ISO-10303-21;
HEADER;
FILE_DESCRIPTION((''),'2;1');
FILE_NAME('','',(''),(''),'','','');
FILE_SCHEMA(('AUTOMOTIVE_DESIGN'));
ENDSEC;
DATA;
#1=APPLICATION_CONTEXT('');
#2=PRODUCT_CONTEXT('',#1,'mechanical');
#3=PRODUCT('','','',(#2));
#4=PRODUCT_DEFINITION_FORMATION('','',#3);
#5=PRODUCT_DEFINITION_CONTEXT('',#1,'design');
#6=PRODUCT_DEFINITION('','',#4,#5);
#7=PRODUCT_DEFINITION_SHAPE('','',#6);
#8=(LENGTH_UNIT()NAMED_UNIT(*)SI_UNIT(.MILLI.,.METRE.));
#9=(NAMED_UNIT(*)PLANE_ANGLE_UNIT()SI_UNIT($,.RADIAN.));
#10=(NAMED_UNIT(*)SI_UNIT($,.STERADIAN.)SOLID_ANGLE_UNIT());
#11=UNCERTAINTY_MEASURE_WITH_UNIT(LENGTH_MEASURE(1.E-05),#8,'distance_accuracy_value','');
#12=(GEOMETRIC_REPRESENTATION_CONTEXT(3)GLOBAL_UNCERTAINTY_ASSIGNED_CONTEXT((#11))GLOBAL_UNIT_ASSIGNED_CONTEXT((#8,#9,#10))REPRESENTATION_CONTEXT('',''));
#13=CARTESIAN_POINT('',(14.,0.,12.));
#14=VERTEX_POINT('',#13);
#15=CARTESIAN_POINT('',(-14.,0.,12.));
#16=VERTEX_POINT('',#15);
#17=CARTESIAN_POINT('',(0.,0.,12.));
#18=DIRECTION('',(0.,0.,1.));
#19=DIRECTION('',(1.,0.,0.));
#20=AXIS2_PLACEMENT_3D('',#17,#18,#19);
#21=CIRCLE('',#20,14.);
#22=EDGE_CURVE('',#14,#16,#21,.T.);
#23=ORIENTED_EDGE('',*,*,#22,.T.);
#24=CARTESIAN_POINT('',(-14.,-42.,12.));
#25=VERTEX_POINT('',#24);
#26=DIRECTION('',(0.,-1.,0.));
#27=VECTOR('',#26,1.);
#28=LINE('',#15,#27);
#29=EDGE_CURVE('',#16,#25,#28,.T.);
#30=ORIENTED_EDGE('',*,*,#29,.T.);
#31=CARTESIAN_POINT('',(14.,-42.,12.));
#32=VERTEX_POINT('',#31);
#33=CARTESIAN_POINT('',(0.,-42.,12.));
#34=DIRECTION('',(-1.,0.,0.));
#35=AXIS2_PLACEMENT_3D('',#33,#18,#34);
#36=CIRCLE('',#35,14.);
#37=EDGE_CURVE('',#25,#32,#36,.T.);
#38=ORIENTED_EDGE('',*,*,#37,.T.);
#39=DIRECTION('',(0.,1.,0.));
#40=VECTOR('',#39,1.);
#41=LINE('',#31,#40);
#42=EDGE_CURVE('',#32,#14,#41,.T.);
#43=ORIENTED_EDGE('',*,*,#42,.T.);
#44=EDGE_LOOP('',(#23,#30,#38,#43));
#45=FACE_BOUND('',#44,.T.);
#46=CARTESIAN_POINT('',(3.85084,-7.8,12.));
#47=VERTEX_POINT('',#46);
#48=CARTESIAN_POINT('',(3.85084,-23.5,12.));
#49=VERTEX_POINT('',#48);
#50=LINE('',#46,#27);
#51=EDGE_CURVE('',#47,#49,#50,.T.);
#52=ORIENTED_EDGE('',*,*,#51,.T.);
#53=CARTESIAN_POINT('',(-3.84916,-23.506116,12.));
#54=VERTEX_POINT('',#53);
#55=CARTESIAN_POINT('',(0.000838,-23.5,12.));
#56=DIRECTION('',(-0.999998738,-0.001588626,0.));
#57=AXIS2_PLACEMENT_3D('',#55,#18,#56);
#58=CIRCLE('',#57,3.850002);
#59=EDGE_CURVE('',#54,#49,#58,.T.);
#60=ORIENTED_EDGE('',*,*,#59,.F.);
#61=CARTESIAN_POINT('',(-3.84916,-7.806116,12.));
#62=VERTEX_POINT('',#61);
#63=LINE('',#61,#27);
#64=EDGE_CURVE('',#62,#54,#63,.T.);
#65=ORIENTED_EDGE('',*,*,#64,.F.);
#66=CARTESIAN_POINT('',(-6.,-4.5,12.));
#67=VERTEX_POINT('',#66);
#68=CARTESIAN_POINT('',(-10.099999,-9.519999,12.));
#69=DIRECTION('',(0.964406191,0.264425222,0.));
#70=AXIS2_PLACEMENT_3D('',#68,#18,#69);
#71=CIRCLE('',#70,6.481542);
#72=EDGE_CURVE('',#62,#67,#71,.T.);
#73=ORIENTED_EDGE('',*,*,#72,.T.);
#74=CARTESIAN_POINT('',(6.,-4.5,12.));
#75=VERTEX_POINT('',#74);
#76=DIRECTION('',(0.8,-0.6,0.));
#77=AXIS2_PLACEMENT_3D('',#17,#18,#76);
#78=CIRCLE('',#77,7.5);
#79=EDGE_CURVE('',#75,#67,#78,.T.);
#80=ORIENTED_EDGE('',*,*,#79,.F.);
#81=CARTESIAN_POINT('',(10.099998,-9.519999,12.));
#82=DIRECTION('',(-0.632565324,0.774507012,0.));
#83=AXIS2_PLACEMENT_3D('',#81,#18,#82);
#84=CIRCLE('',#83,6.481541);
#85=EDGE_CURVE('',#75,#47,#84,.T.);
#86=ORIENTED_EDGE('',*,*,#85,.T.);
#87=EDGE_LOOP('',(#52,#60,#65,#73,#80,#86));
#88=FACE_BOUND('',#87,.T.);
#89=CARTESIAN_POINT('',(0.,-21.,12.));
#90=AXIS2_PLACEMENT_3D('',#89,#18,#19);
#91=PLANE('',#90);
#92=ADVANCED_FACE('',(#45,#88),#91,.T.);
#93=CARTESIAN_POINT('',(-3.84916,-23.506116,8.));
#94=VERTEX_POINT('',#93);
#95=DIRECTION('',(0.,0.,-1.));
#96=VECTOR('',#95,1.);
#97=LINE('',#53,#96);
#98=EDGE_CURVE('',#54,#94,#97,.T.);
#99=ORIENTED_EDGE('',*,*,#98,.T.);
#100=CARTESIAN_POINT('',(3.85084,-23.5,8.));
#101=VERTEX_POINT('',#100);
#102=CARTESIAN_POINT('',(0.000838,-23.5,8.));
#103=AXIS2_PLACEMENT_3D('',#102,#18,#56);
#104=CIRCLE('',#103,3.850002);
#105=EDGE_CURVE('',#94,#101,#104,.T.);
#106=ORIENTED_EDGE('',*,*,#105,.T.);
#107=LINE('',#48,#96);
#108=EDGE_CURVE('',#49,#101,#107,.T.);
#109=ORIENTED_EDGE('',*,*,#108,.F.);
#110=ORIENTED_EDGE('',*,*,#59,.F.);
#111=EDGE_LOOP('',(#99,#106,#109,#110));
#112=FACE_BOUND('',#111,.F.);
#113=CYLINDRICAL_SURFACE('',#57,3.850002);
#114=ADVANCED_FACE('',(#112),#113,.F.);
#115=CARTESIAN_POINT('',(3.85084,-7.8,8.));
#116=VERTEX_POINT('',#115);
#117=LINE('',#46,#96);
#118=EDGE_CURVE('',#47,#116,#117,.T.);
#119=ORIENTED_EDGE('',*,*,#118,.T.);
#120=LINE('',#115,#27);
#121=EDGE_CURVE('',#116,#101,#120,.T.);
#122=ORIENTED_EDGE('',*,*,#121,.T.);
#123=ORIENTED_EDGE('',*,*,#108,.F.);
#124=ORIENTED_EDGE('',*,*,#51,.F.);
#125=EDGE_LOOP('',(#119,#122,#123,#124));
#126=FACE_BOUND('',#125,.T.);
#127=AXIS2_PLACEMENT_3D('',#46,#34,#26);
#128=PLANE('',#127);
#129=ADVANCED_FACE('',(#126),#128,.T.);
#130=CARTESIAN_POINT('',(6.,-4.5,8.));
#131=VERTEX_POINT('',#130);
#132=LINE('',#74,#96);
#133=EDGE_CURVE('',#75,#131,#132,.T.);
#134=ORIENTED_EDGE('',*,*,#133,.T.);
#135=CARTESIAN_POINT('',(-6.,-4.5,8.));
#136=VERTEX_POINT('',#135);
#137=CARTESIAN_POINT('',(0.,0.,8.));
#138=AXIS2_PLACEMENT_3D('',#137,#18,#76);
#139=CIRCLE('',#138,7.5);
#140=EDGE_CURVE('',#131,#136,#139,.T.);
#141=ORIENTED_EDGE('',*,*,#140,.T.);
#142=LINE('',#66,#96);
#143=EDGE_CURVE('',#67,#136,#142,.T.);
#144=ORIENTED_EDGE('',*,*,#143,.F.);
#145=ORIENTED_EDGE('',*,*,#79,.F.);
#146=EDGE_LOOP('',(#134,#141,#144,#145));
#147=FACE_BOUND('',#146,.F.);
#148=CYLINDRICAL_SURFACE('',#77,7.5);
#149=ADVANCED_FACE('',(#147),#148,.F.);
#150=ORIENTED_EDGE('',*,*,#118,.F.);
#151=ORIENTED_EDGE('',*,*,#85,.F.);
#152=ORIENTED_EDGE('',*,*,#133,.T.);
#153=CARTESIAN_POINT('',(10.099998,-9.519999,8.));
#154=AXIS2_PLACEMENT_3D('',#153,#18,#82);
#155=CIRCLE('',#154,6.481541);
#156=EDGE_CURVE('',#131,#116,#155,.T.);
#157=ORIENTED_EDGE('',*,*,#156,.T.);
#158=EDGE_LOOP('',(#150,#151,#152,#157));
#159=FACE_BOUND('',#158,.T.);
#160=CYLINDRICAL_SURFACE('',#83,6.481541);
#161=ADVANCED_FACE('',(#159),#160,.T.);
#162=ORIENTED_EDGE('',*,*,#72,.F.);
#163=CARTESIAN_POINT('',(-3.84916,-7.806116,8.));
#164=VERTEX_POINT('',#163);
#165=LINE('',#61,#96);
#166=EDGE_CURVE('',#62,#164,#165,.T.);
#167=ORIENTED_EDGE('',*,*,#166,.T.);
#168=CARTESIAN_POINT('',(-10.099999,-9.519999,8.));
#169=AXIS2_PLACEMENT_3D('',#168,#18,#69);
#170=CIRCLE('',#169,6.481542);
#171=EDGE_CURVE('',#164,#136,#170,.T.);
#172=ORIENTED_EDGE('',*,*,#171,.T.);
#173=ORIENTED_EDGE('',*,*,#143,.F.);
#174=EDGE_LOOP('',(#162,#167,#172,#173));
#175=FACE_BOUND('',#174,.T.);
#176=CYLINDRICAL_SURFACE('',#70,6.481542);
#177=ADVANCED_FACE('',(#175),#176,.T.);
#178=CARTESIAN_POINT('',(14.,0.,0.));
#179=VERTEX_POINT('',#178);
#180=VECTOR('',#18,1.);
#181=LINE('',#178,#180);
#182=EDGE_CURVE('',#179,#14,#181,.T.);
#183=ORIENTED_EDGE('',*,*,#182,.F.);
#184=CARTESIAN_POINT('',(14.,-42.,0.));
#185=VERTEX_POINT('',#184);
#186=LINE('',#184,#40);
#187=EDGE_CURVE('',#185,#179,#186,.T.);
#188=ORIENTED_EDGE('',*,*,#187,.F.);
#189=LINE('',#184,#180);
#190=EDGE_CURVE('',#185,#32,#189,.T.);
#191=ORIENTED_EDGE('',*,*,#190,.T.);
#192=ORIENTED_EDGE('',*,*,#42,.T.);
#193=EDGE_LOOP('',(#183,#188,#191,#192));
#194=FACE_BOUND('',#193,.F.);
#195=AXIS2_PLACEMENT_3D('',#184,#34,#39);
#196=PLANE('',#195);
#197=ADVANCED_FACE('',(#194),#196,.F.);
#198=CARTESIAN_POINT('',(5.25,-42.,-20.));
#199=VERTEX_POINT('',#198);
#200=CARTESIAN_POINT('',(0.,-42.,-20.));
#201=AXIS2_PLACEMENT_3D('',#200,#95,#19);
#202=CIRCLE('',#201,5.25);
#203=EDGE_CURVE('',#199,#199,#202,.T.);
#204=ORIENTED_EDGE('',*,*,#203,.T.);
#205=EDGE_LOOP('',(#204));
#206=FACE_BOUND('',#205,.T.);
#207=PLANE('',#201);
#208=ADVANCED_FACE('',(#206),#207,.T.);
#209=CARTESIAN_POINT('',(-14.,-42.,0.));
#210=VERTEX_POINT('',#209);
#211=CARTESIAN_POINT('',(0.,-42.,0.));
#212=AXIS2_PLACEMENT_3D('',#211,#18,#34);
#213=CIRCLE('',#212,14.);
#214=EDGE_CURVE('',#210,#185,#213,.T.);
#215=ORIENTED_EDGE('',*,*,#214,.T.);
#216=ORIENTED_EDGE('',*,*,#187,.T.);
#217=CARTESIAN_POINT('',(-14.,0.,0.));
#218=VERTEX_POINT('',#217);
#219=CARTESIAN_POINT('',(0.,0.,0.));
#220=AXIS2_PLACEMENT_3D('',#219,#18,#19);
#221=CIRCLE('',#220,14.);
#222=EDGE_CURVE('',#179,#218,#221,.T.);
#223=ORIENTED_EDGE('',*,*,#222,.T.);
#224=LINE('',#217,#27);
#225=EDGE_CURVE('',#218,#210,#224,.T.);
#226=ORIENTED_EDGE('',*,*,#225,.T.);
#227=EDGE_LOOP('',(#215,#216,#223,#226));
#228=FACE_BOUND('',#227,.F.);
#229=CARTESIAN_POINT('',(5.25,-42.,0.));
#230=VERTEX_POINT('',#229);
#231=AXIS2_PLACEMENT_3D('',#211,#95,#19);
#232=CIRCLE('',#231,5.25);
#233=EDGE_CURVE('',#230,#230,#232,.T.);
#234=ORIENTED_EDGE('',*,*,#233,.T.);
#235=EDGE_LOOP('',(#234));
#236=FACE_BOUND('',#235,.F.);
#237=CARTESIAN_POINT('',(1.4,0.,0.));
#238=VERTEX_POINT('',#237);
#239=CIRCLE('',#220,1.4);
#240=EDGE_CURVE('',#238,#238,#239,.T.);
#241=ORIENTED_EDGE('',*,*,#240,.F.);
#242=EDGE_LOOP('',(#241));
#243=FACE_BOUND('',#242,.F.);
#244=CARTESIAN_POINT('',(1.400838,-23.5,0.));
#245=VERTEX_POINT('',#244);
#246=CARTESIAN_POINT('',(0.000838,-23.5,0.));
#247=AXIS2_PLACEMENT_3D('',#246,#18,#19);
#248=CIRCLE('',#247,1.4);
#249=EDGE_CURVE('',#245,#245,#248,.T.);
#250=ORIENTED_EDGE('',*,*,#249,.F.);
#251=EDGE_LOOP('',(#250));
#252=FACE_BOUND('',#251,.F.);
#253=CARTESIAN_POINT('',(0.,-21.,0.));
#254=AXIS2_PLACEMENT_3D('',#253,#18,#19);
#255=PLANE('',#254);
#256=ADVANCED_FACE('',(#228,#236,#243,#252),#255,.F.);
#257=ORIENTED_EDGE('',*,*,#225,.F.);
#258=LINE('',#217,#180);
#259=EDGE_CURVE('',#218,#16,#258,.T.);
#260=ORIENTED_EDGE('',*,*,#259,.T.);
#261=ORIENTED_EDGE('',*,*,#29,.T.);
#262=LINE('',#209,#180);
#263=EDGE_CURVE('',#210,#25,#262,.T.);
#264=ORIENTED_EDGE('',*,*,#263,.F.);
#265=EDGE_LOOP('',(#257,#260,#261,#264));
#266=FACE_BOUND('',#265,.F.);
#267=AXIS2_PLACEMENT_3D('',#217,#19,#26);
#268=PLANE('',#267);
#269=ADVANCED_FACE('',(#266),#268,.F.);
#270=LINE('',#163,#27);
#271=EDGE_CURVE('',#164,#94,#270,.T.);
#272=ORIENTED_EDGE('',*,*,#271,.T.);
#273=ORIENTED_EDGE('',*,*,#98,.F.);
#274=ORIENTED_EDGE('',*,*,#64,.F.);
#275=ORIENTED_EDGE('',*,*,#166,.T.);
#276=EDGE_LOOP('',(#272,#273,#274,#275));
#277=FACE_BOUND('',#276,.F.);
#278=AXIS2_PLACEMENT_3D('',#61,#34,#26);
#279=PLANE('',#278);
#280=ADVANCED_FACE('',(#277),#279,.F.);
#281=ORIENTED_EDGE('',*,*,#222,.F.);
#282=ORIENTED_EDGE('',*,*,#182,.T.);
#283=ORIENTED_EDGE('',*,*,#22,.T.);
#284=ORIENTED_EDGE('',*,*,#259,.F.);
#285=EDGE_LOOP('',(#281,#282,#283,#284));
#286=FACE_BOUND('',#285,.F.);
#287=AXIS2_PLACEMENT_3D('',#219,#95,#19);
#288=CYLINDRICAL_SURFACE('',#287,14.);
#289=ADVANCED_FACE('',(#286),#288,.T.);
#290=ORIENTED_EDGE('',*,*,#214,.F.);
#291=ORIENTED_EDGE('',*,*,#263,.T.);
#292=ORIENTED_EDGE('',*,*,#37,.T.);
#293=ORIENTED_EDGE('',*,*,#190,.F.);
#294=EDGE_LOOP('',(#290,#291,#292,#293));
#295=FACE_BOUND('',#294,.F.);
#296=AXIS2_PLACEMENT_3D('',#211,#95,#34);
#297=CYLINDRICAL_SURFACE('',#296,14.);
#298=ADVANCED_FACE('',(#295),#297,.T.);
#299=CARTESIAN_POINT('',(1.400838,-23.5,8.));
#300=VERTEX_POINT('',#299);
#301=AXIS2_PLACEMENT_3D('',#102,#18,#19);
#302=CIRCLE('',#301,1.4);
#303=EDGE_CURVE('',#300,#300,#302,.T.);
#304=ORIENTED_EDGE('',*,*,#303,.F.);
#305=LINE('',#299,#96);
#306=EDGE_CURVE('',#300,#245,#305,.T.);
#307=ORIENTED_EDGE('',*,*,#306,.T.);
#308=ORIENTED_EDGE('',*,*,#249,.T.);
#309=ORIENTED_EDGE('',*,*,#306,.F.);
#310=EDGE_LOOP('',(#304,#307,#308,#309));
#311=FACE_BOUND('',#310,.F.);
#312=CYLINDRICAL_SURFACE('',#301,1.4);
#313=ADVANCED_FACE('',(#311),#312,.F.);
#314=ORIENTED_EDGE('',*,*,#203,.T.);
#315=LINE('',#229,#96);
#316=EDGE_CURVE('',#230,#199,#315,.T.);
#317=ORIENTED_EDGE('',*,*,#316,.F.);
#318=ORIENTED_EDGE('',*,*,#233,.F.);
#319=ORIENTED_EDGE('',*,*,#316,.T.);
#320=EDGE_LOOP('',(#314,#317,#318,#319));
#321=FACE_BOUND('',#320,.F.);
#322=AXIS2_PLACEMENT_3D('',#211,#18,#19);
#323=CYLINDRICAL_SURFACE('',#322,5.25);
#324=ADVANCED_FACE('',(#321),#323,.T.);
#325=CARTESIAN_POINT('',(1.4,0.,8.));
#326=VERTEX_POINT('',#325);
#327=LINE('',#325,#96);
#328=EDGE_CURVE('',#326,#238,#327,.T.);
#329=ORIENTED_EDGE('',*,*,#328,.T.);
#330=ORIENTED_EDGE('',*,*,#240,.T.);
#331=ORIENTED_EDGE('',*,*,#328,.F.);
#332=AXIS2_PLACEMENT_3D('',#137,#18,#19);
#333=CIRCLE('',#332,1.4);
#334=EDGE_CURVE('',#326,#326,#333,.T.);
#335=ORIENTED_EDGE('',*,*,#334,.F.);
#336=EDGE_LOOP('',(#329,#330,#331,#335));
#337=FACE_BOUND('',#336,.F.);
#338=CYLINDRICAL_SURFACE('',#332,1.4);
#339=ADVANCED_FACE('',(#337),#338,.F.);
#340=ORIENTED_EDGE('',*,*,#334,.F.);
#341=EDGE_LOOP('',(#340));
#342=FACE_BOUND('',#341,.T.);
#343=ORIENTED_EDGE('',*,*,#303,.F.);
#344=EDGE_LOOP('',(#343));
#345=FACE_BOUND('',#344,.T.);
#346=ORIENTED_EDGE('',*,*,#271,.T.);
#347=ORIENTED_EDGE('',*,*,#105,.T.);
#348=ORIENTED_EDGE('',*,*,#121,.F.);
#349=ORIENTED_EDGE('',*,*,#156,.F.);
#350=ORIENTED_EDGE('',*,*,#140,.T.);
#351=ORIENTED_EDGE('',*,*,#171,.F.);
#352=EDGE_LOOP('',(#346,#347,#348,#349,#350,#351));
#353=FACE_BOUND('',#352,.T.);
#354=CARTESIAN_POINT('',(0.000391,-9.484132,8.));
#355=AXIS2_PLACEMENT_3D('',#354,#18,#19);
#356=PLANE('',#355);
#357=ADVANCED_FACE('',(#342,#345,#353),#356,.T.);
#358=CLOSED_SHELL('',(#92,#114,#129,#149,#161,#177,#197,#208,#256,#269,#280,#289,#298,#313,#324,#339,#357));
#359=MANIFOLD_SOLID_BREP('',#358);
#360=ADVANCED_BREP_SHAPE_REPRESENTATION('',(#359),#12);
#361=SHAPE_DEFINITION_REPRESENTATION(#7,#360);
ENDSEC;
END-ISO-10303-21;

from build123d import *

# Parameters (mm, degrees)
PAD_DEPTH       = 12
POCKET_DEPTH    = 4
SKETCH002_R     = 5.25
PAD001_DEPTH    = 20
SKETCH003_R     = 1.4
POCKET001_DEPTH = 28.001


with BuildPart() as part:
    # Sketch001 → Pad (new body)
    with BuildSketch(Plane.XY):
        with BuildLine():
            ThreePointArc((14, 0), (0, 14), (-14, 0))
            Line((-14, 0), (-14, -42))
            ThreePointArc((-14, -42), (0, -56), (14, -42))
            Line((14, -42), (14, 0))
        make_face()
    extrude(amount=PAD_DEPTH)

    # Sketch (on Face6 of Pad) → Pocket (cut)
    with BuildSketch(Plane.XY.offset(12)):
        with BuildLine():
            ThreePointArc((6, -4.5), (0, 7.5), (-6, -4.5))
            ThreePointArc((-3.84916, -7.806116), (-4.666992, -5.985481), (-6, -4.5))
            Line((-3.84916, -7.806116), (-3.84916, -23.506116))
            ThreePointArc((-3.84916, -23.506116), (0.003896, -27.350001), (3.85084, -23.5))
            Line((3.85084, -7.8), (3.85084, -23.5))
            ThreePointArc((6, -4.5), (4.668722, -5.982823), (3.85084, -7.8))
        make_face()
    extrude(amount=-POCKET_DEPTH, mode=Mode.SUBTRACT)

    # Sketch002 (on Face4 of Pocket) → Pad001 (join)
    with BuildSketch(Plane(origin=(0, 0, 0), x_dir=(1, 0, 0), z_dir=(0, 0, -1))):
        with Locations((0, 42)):
            Circle(SKETCH002_R)
    extrude(amount=PAD001_DEPTH)

    # Sketch003 (on Face15 of Pad001) → Pocket001 (cut, through all)
    with BuildSketch(Plane.XY.offset(8)):
        Circle(SKETCH003_R)
        with Locations((0.000838, -23.5)):
            Circle(SKETCH003_R)
    extrude(amount=-POCKET001_DEPTH, mode=Mode.SUBTRACT)


solid = part.part
